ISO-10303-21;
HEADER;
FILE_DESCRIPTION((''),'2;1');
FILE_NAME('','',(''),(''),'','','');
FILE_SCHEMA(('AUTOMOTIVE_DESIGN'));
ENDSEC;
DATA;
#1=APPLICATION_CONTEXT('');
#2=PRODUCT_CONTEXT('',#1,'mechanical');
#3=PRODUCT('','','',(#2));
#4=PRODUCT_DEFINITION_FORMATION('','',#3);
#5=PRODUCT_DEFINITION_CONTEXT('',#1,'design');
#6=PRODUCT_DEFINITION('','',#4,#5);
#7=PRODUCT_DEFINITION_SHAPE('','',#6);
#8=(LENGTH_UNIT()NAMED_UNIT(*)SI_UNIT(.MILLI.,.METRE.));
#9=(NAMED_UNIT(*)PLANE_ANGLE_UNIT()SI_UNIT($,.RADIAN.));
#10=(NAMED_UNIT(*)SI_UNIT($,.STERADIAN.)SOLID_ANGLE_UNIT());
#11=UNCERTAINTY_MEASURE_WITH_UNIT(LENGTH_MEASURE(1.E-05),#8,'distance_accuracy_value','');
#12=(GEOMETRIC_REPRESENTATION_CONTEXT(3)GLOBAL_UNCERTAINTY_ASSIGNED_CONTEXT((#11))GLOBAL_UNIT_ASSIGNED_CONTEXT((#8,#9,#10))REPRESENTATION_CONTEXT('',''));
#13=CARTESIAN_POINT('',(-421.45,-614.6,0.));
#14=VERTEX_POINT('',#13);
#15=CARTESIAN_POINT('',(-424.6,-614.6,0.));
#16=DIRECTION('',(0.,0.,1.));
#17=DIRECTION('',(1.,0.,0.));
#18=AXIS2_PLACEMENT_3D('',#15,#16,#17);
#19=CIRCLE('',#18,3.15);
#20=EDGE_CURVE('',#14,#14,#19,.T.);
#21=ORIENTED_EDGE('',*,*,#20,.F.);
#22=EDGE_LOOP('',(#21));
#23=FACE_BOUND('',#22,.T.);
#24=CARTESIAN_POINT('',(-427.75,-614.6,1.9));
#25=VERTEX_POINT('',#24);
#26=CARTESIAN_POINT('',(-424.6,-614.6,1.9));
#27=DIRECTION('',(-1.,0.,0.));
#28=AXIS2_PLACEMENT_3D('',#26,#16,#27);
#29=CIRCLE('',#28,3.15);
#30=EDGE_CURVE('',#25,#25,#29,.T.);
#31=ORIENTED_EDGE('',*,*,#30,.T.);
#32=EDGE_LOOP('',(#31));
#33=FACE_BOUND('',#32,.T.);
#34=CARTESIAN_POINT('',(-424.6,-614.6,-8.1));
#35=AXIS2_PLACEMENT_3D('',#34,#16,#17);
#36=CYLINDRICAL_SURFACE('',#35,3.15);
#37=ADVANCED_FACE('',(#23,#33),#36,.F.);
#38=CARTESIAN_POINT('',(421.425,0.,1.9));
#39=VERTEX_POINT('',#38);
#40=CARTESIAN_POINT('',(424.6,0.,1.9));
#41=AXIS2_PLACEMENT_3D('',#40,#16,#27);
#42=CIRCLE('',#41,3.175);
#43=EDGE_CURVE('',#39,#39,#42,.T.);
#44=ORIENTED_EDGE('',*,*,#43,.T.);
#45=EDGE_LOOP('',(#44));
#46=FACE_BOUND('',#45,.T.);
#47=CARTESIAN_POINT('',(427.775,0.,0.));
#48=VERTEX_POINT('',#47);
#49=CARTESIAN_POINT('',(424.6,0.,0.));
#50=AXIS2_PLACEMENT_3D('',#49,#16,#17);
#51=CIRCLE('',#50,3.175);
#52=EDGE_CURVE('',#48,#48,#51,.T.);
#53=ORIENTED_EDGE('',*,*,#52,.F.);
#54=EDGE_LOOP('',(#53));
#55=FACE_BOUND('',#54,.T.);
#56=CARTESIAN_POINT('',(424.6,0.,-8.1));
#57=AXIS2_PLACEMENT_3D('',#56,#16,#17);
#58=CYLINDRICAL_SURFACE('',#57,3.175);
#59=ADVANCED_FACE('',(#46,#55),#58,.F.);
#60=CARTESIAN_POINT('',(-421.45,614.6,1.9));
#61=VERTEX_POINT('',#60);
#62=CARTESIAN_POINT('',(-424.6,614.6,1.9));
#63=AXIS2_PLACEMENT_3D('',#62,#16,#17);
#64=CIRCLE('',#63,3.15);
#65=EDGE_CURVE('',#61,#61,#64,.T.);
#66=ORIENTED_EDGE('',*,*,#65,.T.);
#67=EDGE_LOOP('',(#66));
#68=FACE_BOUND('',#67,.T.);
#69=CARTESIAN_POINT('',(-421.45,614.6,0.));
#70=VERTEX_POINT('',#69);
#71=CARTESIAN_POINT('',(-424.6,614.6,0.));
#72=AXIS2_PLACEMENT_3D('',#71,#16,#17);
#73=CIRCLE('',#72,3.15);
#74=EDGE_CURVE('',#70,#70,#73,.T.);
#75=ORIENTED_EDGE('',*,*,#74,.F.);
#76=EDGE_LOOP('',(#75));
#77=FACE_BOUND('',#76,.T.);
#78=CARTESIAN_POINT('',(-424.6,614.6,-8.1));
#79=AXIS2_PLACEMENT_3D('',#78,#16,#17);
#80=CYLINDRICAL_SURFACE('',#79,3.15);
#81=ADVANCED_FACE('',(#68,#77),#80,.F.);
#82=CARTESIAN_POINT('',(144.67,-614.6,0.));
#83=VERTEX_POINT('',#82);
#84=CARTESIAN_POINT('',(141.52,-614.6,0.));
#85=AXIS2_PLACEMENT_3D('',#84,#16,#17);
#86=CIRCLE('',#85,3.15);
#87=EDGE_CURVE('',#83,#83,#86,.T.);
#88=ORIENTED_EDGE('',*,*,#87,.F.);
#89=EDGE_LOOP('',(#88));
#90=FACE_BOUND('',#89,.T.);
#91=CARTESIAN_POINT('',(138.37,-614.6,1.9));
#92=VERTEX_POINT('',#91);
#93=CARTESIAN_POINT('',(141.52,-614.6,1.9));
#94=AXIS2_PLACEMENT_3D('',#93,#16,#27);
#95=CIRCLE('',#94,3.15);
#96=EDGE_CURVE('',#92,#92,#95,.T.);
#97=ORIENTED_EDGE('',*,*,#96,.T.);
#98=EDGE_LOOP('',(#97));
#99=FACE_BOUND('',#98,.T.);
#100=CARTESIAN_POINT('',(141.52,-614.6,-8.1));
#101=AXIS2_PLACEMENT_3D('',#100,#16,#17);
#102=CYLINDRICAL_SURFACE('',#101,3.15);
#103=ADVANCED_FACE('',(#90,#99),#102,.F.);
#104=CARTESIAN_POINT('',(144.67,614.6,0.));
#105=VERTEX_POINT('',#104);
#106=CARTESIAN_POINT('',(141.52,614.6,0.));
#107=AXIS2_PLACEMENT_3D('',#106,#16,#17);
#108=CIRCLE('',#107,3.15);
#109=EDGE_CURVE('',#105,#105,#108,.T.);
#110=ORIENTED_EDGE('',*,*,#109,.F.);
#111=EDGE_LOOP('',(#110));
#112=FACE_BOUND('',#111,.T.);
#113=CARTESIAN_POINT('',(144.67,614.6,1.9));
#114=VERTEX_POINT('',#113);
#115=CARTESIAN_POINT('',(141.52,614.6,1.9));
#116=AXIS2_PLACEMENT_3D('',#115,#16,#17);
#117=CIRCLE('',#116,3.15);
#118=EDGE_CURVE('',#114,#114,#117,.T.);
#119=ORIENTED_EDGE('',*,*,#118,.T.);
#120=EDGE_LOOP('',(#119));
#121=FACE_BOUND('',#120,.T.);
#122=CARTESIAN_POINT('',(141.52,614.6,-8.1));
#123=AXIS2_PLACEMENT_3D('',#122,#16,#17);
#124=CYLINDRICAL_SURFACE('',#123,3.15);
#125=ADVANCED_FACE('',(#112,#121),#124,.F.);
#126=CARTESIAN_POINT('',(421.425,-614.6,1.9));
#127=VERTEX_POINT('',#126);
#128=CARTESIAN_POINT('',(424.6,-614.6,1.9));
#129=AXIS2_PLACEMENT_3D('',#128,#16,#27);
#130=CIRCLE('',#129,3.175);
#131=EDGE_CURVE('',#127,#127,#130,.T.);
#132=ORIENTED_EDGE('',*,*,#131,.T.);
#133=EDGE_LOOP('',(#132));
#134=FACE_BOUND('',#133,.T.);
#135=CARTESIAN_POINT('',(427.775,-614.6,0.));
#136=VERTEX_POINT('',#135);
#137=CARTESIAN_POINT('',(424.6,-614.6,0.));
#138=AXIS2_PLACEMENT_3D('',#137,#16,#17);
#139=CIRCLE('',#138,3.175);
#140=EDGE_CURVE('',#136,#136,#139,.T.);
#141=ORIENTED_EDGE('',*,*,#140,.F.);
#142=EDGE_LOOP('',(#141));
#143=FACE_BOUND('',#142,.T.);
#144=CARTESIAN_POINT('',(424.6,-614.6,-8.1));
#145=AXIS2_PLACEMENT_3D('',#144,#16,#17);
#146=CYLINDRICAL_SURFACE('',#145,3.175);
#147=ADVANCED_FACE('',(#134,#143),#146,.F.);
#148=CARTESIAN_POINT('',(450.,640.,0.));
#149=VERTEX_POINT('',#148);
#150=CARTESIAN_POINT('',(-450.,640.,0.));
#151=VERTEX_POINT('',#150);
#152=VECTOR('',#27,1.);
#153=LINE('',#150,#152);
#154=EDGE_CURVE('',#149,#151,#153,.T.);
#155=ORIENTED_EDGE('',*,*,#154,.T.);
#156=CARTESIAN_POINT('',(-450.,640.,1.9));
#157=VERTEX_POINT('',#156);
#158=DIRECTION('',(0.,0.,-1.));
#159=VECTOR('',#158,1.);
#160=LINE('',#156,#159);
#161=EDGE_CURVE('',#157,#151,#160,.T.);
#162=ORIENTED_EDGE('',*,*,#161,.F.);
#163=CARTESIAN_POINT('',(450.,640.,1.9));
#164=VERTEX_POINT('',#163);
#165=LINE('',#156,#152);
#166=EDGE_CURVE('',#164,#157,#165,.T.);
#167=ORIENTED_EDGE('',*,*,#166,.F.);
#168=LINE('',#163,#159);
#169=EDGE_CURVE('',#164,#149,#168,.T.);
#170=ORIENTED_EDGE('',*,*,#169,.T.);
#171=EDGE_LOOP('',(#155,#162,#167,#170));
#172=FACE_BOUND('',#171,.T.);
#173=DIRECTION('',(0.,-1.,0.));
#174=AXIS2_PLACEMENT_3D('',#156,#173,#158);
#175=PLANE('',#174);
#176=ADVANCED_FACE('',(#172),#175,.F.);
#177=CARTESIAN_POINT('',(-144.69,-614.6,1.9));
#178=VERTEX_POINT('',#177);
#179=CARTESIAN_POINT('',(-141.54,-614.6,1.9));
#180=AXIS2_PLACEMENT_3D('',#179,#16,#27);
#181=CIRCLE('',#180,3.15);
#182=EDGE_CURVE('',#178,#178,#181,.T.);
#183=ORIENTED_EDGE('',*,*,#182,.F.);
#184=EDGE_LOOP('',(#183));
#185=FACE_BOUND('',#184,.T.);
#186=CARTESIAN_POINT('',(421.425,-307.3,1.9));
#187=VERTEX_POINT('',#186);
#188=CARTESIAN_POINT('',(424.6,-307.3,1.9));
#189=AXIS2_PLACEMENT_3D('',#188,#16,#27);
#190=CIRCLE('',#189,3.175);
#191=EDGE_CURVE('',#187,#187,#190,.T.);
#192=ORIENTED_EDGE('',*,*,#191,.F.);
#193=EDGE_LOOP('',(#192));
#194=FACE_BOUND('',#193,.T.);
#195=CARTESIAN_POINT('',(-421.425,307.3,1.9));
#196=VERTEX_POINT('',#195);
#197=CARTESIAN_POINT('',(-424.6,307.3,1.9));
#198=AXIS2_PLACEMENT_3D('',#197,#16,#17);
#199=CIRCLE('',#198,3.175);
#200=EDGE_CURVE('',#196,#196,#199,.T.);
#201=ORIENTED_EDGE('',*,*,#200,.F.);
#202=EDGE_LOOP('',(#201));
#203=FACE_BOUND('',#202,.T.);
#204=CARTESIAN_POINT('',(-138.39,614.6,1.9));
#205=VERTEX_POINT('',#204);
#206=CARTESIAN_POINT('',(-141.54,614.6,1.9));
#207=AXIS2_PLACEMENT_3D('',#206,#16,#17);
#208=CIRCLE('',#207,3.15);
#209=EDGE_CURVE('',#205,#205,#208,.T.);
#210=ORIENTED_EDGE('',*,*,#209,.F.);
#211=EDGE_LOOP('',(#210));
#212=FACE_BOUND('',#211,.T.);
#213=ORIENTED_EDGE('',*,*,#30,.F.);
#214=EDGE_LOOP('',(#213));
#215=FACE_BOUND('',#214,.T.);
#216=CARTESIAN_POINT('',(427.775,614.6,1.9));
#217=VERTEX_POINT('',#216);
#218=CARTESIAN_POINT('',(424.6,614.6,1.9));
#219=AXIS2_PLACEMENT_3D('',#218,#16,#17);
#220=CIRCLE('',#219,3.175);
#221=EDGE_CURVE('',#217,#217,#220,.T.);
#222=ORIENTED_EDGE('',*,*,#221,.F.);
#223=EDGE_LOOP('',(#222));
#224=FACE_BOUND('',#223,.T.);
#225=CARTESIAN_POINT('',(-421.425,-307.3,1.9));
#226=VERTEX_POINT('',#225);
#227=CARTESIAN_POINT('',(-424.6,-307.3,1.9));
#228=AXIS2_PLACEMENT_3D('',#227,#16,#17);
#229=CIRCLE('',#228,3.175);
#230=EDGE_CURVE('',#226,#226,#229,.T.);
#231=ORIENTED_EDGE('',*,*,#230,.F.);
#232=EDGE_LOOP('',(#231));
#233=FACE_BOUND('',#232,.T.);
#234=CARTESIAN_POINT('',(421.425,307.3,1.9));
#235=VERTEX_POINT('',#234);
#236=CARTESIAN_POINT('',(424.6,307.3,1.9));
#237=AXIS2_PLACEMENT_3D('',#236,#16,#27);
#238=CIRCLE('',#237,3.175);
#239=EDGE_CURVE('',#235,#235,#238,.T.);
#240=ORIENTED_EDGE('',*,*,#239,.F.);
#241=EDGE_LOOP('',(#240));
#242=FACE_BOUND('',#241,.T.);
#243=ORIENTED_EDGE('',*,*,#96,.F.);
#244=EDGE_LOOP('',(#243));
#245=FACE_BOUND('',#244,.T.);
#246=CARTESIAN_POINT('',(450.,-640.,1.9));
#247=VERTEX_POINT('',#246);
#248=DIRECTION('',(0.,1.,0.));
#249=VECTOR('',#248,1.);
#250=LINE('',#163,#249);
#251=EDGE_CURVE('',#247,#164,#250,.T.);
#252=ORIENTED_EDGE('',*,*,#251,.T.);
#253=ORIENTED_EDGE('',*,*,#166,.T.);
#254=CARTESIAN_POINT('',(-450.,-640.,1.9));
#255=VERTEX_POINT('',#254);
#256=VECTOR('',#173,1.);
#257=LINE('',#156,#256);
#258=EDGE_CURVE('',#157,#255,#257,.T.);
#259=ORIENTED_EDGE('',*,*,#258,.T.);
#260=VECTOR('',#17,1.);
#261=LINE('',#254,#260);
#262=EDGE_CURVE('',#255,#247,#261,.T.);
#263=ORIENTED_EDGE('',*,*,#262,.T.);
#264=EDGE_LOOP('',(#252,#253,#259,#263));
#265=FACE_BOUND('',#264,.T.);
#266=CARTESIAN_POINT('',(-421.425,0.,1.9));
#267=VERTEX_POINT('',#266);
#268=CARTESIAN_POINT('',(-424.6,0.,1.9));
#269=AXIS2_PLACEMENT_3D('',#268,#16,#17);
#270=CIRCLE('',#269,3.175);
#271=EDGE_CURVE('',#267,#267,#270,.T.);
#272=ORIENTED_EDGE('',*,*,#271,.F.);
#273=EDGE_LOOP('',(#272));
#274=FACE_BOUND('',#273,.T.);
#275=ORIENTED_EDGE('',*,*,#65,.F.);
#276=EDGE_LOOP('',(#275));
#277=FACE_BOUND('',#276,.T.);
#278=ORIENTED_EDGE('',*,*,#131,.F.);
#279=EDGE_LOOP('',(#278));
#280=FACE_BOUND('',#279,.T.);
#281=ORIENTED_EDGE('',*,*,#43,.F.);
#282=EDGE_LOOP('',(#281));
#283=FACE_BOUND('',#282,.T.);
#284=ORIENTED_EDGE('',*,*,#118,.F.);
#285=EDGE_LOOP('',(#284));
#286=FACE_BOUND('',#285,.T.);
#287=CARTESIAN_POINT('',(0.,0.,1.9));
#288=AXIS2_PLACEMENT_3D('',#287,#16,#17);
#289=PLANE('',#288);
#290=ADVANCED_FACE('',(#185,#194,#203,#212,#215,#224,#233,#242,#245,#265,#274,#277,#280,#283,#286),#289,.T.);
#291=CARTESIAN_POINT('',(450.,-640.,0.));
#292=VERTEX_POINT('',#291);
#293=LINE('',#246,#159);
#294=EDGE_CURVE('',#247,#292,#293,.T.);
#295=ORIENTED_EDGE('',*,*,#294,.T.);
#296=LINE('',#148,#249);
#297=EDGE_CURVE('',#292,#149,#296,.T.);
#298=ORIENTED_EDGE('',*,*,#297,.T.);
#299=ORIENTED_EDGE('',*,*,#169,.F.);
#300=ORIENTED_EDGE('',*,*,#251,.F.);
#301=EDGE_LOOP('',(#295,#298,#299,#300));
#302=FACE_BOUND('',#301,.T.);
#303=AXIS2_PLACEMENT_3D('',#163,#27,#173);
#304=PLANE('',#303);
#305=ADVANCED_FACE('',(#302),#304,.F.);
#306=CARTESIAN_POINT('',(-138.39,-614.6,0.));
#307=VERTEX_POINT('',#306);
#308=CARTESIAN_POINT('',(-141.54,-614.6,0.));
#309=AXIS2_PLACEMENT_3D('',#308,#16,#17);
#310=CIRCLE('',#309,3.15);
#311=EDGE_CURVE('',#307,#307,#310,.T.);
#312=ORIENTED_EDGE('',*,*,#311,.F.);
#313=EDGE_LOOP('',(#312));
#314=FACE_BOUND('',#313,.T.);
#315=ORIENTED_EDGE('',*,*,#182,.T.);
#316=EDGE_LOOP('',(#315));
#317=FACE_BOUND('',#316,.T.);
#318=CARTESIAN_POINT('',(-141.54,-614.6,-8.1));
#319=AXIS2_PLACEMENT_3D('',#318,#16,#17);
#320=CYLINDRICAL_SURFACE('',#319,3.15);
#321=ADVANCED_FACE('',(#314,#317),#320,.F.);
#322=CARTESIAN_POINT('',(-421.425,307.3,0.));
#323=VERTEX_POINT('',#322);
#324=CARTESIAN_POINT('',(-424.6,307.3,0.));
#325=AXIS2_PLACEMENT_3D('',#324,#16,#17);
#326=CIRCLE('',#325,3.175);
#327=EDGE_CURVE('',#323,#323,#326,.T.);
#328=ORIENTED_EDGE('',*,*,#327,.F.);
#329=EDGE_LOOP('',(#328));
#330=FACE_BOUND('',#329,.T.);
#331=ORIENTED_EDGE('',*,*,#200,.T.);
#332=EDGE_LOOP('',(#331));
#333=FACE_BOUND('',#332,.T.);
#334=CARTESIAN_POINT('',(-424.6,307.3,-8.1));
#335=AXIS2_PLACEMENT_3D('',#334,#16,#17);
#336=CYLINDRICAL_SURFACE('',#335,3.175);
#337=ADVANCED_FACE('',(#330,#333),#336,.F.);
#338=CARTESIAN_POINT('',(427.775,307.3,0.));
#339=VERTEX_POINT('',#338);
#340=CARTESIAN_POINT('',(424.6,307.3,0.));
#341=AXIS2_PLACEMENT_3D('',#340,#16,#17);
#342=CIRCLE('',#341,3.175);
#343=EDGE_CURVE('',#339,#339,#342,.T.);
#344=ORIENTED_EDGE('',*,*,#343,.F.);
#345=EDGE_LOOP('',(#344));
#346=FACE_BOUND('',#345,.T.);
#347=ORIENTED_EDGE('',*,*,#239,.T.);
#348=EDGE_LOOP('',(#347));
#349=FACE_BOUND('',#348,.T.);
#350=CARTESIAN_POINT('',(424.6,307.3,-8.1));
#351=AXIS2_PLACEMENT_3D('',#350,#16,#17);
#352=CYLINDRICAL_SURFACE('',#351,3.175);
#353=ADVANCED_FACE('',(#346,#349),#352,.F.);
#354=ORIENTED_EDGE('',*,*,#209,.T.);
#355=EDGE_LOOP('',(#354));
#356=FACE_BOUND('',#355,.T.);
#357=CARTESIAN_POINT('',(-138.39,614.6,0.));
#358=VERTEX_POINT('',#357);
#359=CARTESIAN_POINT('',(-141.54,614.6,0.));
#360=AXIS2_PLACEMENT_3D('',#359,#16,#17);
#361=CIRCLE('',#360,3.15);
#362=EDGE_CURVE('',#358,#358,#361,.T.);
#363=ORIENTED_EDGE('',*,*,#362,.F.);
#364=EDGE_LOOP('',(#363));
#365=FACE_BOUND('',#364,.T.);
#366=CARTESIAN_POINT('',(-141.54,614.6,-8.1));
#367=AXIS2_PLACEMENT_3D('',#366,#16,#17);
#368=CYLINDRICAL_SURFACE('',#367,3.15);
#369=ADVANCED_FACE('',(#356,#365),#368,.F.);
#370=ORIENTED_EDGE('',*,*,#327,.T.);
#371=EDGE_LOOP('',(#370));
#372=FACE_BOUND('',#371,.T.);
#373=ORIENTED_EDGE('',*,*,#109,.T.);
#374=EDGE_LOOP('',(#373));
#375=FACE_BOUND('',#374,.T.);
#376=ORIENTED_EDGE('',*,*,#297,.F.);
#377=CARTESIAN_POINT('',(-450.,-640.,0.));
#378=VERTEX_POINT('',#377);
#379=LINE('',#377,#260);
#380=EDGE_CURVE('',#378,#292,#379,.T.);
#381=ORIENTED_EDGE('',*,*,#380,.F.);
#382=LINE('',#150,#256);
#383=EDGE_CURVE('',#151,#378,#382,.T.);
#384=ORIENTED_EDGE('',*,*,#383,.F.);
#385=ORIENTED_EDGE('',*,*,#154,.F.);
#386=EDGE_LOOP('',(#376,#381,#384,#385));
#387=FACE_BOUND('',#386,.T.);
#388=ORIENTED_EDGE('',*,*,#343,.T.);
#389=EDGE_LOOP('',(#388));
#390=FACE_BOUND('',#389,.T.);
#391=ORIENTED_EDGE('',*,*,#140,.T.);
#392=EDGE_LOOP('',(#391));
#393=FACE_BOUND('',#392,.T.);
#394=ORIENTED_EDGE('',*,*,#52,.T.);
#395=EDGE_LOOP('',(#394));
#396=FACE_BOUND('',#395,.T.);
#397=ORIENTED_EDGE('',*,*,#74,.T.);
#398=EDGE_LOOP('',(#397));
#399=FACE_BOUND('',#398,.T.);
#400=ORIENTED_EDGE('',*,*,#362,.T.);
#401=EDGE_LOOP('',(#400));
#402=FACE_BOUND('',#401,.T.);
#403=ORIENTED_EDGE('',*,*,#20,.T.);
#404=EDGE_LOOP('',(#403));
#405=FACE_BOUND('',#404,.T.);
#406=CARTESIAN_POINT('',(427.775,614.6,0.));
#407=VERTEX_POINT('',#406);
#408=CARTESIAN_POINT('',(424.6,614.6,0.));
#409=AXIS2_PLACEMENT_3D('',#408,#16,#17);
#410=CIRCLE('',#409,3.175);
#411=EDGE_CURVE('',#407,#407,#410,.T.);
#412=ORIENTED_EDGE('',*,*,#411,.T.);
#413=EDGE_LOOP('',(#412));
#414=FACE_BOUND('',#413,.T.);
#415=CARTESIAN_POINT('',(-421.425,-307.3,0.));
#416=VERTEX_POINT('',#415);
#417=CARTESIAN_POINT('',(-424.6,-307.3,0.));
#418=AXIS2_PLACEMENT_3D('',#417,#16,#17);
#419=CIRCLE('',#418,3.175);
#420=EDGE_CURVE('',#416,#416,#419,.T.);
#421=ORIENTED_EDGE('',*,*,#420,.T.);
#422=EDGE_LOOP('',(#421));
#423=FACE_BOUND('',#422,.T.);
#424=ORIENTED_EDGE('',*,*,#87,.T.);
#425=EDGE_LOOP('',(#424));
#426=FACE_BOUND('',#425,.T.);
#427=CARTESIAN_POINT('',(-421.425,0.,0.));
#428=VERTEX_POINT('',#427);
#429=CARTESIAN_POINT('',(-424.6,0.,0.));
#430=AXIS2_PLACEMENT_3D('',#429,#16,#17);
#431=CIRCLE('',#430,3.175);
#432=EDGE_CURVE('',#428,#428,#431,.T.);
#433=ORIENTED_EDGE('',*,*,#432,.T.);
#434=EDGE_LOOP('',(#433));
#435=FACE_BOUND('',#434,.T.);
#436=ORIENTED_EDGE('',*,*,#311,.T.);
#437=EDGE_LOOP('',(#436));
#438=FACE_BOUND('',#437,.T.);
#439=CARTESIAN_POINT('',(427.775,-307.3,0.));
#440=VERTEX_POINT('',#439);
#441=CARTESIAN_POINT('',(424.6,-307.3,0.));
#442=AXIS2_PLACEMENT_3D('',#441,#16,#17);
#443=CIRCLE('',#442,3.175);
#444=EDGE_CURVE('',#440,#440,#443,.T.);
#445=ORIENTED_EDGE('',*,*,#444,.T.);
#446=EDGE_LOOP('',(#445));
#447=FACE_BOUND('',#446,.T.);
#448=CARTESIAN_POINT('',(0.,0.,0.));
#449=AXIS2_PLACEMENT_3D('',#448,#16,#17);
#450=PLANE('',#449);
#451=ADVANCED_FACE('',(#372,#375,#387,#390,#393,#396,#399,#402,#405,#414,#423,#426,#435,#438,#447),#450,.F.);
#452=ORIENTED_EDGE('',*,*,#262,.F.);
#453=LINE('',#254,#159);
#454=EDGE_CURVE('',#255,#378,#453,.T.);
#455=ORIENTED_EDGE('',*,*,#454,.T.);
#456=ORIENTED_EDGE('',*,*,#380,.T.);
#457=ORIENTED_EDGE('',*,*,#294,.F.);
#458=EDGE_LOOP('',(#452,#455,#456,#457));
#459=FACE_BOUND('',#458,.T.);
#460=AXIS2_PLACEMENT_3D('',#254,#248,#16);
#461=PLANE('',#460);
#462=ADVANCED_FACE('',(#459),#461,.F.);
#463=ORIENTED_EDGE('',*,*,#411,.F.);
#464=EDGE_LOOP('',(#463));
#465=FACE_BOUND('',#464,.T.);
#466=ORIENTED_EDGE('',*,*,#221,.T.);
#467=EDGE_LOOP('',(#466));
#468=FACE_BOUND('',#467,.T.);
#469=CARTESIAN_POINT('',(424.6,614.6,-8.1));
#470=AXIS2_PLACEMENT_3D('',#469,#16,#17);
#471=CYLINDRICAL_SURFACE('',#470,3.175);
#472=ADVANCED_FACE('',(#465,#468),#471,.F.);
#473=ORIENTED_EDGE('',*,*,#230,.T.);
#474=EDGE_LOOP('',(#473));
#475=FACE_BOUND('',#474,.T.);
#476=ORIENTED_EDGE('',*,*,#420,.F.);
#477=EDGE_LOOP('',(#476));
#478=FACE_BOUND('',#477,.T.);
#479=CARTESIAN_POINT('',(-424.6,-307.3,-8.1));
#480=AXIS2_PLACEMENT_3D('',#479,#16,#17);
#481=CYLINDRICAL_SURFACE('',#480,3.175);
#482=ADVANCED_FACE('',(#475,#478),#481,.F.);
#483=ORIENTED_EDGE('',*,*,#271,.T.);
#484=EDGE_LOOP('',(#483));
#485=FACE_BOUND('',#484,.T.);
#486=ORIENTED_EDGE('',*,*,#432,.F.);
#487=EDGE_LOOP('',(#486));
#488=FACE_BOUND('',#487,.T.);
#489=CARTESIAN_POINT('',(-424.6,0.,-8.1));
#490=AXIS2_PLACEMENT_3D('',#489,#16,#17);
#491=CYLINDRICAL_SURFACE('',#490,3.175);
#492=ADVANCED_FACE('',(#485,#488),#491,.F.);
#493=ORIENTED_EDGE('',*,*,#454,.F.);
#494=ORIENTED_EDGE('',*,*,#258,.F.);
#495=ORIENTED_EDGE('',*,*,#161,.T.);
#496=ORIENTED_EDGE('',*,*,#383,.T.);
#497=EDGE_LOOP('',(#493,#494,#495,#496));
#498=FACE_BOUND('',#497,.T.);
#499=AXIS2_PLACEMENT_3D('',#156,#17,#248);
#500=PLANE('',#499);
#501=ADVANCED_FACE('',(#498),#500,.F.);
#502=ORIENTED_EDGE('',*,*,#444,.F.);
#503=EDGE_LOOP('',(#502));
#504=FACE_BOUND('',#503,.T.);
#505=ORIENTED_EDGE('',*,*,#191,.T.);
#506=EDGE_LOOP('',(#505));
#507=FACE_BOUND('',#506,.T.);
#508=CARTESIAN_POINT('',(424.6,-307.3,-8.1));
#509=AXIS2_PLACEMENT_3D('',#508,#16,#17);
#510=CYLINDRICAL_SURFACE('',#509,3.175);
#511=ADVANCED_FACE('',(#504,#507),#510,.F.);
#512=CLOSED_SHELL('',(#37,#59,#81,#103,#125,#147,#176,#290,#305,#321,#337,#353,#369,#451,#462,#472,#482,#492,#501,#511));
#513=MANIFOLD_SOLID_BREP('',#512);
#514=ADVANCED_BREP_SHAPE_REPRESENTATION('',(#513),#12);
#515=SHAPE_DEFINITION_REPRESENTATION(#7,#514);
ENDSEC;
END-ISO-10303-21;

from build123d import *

# Parameters (mm, degrees)
CROQUIS1_W              = 900
CROQUIS1_H              = 1280
SALIENTE_EXTRUIR1_DEPTH = 1.9
CROQUIS2_R              = 3.175
CROQUIS2_R_2            = 3.15
CORTAR_EXTRUIR2_DEPTH   = 10


with BuildPart() as part:
    # Croquis1 → Saliente-Extruir1 (new body)
    with BuildSketch(Plane.XY):
        Rectangle(CROQUIS1_W, CROQUIS1_H)
    extrude(amount=SALIENTE_EXTRUIR1_DEPTH)

    # Croquis2 → Cortar-Extruir2 (cut)
    with BuildSketch(Plane.XY.offset(1.9)):
        with Locations((-424.6, 0)):
            Circle(CROQUIS2_R)
        with Locations((-424.6, 614.6)):
            Circle(CROQUIS2_R_2)
        with Locations((424.6, 614.6)):
            Circle(CROQUIS2_R)
        with Locations((-141.54, 614.6)):
            Circle(CROQUIS2_R_2)
        with Locations((141.52, 614.6)):
            Circle(CROQUIS2_R_2)
        with Locations((-424.6, 307.3)):
            Circle(CROQUIS2_R)
        with Locations((-424.6, -307.3)):
            Circle(CROQUIS2_R)
        with Locations((424.6, -307.3)):
            Circle(CROQUIS2_R)
        with Locations((424.6, 0)):
            Circle(CROQUIS2_R)
        with Locations((424.6, 307.3)):
            Circle(CROQUIS2_R)
        with Locations((141.52, -614.6)):
            Circle(CROQUIS2_R_2)
        with Locations((-141.54, -614.6)):
            Circle(CROQUIS2_R_2)
        with Locations((424.6, -614.6)):
            Circle(CROQUIS2_R)
        with Locations((-424.6, -614.6)):
            Circle(CROQUIS2_R_2)
    extrude(amount=-CORTAR_EXTRUIR2_DEPTH, mode=Mode.SUBTRACT)


solid = part.part
